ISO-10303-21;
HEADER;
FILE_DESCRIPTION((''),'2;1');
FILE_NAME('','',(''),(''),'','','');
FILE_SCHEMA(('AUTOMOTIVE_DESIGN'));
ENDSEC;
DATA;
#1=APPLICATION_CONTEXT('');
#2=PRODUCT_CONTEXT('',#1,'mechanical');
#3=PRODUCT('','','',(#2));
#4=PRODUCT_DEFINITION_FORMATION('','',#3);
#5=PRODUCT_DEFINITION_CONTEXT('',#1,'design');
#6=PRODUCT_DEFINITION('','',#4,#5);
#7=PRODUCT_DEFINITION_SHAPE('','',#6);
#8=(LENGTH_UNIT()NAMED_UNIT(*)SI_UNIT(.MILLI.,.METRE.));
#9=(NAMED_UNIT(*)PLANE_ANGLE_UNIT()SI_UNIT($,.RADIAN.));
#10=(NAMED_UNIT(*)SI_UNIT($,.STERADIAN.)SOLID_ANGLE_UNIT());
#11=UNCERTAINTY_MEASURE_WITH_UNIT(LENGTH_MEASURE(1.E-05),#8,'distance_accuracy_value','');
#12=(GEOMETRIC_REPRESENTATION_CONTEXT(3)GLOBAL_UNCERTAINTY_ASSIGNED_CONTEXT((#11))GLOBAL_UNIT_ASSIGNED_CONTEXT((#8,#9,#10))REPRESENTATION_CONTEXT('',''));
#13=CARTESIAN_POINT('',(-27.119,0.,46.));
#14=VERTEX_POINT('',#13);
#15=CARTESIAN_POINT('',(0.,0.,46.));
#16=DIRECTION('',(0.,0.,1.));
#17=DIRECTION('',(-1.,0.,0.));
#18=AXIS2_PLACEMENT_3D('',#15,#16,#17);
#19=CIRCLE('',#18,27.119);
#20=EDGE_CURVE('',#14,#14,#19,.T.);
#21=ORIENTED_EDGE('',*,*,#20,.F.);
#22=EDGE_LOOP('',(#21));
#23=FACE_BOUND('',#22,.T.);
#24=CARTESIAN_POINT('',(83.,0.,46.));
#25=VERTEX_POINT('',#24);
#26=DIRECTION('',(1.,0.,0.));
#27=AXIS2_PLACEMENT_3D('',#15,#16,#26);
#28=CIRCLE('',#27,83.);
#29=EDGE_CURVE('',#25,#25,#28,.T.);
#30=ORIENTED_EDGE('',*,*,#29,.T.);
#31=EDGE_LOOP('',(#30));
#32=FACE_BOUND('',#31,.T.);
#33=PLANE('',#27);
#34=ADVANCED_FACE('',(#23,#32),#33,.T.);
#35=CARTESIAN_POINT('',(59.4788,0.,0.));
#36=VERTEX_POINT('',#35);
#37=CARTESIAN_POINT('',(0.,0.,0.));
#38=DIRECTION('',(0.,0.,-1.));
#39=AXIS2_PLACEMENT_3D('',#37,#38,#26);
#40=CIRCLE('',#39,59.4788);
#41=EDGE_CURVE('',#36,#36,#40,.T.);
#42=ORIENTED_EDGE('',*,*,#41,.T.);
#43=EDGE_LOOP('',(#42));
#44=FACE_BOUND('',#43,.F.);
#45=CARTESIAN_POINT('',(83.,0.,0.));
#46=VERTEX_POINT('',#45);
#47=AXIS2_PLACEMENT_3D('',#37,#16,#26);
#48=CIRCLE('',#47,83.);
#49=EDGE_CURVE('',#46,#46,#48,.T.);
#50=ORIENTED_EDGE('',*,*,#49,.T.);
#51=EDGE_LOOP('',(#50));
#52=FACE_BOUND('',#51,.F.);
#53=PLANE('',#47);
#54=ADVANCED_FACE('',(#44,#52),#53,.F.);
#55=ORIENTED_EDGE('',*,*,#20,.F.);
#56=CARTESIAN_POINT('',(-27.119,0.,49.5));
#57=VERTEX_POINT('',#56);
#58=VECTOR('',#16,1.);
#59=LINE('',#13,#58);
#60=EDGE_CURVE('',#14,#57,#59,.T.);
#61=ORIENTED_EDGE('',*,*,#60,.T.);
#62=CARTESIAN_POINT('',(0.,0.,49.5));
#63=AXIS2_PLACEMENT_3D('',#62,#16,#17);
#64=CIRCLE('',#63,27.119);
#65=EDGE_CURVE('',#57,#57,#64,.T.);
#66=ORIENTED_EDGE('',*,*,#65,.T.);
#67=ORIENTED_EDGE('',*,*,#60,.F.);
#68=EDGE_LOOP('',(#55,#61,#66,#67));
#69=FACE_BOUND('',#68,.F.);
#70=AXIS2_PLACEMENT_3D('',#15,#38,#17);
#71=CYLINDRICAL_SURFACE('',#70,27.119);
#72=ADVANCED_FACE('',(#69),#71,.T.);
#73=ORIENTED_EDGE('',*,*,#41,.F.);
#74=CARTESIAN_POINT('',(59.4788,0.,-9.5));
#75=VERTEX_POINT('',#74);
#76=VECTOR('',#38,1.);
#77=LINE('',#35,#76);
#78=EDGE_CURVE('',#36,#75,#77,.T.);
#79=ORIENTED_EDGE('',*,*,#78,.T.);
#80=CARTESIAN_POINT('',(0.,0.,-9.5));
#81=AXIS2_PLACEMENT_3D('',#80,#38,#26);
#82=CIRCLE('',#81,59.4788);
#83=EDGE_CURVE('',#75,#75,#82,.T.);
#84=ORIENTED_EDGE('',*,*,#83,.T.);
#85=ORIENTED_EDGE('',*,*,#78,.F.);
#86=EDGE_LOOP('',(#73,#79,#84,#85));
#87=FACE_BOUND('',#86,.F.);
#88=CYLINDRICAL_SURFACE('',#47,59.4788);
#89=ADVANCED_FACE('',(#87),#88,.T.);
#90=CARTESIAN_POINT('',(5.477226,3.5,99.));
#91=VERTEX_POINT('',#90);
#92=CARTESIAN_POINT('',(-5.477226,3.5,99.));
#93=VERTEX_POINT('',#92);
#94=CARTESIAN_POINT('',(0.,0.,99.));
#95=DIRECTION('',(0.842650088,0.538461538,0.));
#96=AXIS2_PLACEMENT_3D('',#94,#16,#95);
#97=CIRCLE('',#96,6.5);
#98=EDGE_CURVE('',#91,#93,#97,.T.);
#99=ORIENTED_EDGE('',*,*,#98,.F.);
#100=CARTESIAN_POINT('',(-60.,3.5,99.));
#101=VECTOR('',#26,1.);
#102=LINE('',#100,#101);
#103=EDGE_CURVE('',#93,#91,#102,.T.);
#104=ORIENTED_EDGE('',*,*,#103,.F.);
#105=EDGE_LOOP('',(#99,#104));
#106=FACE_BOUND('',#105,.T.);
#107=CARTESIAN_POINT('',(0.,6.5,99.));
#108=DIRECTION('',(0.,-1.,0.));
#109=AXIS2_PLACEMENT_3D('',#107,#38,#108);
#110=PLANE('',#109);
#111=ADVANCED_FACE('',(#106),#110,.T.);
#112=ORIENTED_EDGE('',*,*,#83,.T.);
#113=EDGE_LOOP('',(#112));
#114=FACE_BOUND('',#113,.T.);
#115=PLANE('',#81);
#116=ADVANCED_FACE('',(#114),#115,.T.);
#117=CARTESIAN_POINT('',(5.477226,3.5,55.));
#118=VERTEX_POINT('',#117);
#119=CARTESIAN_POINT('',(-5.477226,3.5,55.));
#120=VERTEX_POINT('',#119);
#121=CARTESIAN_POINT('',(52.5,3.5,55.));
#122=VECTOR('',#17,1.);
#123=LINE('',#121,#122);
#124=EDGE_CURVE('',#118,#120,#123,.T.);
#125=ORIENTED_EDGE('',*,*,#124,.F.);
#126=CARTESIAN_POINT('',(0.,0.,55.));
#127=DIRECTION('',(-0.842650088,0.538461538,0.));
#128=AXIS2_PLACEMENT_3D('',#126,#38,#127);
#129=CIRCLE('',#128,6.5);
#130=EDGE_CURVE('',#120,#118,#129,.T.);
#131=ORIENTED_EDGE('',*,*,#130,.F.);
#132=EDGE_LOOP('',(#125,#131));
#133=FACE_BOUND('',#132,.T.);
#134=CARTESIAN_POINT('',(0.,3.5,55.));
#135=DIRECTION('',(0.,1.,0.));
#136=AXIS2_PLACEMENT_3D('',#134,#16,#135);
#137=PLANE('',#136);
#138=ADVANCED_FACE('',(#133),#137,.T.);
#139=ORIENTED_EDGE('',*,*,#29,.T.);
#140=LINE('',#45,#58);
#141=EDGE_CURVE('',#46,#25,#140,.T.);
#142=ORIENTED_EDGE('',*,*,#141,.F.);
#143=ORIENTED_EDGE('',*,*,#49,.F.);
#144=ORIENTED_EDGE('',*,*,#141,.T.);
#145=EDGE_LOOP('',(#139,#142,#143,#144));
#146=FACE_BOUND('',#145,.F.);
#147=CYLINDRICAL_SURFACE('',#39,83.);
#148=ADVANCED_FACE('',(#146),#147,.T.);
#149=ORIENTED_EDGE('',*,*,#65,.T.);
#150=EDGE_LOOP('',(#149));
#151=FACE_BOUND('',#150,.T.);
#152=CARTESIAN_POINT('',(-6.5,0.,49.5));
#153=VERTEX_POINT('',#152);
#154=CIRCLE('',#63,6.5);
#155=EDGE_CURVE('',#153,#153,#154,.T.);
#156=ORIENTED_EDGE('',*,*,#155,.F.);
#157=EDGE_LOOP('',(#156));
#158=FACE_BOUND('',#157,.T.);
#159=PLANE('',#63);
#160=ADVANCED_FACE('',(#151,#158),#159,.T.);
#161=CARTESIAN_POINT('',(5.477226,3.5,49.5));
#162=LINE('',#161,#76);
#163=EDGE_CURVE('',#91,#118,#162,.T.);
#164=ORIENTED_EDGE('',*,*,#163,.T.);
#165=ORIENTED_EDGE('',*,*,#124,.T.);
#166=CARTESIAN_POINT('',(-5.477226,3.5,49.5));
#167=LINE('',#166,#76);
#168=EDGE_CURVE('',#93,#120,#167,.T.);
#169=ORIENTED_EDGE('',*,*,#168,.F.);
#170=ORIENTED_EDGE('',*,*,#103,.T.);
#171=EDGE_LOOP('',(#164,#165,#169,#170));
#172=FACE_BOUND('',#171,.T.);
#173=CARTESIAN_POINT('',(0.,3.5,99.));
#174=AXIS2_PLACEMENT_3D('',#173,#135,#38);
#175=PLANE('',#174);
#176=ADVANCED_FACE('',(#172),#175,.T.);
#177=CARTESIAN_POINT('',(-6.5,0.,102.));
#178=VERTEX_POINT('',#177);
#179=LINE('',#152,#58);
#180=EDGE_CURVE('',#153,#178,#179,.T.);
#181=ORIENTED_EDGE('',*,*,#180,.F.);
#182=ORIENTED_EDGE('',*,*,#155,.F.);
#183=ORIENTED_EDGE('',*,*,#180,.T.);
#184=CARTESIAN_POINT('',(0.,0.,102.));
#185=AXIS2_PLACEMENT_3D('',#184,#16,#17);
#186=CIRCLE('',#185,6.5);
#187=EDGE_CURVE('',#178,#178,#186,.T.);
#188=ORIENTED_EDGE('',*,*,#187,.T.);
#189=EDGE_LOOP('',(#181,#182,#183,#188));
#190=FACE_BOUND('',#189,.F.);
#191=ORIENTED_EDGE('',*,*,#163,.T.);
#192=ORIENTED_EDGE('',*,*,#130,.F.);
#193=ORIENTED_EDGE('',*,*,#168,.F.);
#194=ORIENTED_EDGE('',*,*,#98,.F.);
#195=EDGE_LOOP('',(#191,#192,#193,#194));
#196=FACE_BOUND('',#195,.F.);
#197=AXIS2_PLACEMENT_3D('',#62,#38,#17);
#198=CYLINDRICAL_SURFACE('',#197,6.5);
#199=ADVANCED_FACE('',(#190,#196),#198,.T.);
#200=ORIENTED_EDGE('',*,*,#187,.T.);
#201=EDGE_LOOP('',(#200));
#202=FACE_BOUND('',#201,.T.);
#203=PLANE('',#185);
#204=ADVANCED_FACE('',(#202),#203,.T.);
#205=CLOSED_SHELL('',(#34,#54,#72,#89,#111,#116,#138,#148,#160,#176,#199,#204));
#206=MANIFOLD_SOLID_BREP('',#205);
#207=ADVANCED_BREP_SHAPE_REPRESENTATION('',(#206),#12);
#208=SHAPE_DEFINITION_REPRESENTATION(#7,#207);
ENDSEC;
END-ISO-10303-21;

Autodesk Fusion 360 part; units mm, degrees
sketch "スケッチ1" plane through (0, 0, 0) normal (0, 0, 1) x (1, 0, 0)
  circle A0 centre (0, 0) radius 83
  dimension "d1" = 166
extrude "押し出し1" add sketch "スケッチ1" along normal blind 46
sketch "スケッチ2" plane through (0, 0, 46) normal (0, 0, 1) x (-1, 0, 0)
  circle A0 centre (0, 0) radius 83
  circle A1 centre (0, 0) radius 27.119
extrude "押し出し2" add sketch "スケッチ2" along normal blind 3.5 contours A1
sketch "スケッチ3" plane through (0, 0, 49.5) normal (0, 0, 1) x (-1, 0, 0)
  circle A0 centre (0, 0) radius 27.119
  circle A1 centre (0, 0) radius 6.5
  dimension "d6" = 13
extrude "押し出し3" add sketch "スケッチ3" along normal blind 52.5 contours A1
sketch "スケッチ4" plane through (0, 0, 0) normal (1, 0, 0) x (0, 1, 0)
  line L0 (6.5, 102) -> (-6.5, 102)
  line L1 (-6.5, 49.5) -> (6.5, 49.5)
  line L2 (6.5, 102) -> (6.5, 99)
  line L3 (6.5, 99) -> (3.5, 99)
  line L4 (3.5, 99) -> (3.5, 55)
  line L5 (3.5, 55) -> (6.5, 55)
  line L6 (6.5, 55) -> (6.5, 99)
  dimension "d9" = 3
  dimension "d10" = 44
  dimension "d11" = 3
extrude "押し出し4" cut sketch "スケッチ4" along normal blind 52.5 and the other way blind 60
sketch "スケッチ5" plane through (0, 0, 0) normal (0, 0, -1) x (1, 0, 0)
  circle A0 centre (0, 0) radius 83
  circle A1 centre (0, 0) radius 59.4788
extrude "押し出し5" add sketch "スケッチ5" along normal blind 9.5 contours A1
